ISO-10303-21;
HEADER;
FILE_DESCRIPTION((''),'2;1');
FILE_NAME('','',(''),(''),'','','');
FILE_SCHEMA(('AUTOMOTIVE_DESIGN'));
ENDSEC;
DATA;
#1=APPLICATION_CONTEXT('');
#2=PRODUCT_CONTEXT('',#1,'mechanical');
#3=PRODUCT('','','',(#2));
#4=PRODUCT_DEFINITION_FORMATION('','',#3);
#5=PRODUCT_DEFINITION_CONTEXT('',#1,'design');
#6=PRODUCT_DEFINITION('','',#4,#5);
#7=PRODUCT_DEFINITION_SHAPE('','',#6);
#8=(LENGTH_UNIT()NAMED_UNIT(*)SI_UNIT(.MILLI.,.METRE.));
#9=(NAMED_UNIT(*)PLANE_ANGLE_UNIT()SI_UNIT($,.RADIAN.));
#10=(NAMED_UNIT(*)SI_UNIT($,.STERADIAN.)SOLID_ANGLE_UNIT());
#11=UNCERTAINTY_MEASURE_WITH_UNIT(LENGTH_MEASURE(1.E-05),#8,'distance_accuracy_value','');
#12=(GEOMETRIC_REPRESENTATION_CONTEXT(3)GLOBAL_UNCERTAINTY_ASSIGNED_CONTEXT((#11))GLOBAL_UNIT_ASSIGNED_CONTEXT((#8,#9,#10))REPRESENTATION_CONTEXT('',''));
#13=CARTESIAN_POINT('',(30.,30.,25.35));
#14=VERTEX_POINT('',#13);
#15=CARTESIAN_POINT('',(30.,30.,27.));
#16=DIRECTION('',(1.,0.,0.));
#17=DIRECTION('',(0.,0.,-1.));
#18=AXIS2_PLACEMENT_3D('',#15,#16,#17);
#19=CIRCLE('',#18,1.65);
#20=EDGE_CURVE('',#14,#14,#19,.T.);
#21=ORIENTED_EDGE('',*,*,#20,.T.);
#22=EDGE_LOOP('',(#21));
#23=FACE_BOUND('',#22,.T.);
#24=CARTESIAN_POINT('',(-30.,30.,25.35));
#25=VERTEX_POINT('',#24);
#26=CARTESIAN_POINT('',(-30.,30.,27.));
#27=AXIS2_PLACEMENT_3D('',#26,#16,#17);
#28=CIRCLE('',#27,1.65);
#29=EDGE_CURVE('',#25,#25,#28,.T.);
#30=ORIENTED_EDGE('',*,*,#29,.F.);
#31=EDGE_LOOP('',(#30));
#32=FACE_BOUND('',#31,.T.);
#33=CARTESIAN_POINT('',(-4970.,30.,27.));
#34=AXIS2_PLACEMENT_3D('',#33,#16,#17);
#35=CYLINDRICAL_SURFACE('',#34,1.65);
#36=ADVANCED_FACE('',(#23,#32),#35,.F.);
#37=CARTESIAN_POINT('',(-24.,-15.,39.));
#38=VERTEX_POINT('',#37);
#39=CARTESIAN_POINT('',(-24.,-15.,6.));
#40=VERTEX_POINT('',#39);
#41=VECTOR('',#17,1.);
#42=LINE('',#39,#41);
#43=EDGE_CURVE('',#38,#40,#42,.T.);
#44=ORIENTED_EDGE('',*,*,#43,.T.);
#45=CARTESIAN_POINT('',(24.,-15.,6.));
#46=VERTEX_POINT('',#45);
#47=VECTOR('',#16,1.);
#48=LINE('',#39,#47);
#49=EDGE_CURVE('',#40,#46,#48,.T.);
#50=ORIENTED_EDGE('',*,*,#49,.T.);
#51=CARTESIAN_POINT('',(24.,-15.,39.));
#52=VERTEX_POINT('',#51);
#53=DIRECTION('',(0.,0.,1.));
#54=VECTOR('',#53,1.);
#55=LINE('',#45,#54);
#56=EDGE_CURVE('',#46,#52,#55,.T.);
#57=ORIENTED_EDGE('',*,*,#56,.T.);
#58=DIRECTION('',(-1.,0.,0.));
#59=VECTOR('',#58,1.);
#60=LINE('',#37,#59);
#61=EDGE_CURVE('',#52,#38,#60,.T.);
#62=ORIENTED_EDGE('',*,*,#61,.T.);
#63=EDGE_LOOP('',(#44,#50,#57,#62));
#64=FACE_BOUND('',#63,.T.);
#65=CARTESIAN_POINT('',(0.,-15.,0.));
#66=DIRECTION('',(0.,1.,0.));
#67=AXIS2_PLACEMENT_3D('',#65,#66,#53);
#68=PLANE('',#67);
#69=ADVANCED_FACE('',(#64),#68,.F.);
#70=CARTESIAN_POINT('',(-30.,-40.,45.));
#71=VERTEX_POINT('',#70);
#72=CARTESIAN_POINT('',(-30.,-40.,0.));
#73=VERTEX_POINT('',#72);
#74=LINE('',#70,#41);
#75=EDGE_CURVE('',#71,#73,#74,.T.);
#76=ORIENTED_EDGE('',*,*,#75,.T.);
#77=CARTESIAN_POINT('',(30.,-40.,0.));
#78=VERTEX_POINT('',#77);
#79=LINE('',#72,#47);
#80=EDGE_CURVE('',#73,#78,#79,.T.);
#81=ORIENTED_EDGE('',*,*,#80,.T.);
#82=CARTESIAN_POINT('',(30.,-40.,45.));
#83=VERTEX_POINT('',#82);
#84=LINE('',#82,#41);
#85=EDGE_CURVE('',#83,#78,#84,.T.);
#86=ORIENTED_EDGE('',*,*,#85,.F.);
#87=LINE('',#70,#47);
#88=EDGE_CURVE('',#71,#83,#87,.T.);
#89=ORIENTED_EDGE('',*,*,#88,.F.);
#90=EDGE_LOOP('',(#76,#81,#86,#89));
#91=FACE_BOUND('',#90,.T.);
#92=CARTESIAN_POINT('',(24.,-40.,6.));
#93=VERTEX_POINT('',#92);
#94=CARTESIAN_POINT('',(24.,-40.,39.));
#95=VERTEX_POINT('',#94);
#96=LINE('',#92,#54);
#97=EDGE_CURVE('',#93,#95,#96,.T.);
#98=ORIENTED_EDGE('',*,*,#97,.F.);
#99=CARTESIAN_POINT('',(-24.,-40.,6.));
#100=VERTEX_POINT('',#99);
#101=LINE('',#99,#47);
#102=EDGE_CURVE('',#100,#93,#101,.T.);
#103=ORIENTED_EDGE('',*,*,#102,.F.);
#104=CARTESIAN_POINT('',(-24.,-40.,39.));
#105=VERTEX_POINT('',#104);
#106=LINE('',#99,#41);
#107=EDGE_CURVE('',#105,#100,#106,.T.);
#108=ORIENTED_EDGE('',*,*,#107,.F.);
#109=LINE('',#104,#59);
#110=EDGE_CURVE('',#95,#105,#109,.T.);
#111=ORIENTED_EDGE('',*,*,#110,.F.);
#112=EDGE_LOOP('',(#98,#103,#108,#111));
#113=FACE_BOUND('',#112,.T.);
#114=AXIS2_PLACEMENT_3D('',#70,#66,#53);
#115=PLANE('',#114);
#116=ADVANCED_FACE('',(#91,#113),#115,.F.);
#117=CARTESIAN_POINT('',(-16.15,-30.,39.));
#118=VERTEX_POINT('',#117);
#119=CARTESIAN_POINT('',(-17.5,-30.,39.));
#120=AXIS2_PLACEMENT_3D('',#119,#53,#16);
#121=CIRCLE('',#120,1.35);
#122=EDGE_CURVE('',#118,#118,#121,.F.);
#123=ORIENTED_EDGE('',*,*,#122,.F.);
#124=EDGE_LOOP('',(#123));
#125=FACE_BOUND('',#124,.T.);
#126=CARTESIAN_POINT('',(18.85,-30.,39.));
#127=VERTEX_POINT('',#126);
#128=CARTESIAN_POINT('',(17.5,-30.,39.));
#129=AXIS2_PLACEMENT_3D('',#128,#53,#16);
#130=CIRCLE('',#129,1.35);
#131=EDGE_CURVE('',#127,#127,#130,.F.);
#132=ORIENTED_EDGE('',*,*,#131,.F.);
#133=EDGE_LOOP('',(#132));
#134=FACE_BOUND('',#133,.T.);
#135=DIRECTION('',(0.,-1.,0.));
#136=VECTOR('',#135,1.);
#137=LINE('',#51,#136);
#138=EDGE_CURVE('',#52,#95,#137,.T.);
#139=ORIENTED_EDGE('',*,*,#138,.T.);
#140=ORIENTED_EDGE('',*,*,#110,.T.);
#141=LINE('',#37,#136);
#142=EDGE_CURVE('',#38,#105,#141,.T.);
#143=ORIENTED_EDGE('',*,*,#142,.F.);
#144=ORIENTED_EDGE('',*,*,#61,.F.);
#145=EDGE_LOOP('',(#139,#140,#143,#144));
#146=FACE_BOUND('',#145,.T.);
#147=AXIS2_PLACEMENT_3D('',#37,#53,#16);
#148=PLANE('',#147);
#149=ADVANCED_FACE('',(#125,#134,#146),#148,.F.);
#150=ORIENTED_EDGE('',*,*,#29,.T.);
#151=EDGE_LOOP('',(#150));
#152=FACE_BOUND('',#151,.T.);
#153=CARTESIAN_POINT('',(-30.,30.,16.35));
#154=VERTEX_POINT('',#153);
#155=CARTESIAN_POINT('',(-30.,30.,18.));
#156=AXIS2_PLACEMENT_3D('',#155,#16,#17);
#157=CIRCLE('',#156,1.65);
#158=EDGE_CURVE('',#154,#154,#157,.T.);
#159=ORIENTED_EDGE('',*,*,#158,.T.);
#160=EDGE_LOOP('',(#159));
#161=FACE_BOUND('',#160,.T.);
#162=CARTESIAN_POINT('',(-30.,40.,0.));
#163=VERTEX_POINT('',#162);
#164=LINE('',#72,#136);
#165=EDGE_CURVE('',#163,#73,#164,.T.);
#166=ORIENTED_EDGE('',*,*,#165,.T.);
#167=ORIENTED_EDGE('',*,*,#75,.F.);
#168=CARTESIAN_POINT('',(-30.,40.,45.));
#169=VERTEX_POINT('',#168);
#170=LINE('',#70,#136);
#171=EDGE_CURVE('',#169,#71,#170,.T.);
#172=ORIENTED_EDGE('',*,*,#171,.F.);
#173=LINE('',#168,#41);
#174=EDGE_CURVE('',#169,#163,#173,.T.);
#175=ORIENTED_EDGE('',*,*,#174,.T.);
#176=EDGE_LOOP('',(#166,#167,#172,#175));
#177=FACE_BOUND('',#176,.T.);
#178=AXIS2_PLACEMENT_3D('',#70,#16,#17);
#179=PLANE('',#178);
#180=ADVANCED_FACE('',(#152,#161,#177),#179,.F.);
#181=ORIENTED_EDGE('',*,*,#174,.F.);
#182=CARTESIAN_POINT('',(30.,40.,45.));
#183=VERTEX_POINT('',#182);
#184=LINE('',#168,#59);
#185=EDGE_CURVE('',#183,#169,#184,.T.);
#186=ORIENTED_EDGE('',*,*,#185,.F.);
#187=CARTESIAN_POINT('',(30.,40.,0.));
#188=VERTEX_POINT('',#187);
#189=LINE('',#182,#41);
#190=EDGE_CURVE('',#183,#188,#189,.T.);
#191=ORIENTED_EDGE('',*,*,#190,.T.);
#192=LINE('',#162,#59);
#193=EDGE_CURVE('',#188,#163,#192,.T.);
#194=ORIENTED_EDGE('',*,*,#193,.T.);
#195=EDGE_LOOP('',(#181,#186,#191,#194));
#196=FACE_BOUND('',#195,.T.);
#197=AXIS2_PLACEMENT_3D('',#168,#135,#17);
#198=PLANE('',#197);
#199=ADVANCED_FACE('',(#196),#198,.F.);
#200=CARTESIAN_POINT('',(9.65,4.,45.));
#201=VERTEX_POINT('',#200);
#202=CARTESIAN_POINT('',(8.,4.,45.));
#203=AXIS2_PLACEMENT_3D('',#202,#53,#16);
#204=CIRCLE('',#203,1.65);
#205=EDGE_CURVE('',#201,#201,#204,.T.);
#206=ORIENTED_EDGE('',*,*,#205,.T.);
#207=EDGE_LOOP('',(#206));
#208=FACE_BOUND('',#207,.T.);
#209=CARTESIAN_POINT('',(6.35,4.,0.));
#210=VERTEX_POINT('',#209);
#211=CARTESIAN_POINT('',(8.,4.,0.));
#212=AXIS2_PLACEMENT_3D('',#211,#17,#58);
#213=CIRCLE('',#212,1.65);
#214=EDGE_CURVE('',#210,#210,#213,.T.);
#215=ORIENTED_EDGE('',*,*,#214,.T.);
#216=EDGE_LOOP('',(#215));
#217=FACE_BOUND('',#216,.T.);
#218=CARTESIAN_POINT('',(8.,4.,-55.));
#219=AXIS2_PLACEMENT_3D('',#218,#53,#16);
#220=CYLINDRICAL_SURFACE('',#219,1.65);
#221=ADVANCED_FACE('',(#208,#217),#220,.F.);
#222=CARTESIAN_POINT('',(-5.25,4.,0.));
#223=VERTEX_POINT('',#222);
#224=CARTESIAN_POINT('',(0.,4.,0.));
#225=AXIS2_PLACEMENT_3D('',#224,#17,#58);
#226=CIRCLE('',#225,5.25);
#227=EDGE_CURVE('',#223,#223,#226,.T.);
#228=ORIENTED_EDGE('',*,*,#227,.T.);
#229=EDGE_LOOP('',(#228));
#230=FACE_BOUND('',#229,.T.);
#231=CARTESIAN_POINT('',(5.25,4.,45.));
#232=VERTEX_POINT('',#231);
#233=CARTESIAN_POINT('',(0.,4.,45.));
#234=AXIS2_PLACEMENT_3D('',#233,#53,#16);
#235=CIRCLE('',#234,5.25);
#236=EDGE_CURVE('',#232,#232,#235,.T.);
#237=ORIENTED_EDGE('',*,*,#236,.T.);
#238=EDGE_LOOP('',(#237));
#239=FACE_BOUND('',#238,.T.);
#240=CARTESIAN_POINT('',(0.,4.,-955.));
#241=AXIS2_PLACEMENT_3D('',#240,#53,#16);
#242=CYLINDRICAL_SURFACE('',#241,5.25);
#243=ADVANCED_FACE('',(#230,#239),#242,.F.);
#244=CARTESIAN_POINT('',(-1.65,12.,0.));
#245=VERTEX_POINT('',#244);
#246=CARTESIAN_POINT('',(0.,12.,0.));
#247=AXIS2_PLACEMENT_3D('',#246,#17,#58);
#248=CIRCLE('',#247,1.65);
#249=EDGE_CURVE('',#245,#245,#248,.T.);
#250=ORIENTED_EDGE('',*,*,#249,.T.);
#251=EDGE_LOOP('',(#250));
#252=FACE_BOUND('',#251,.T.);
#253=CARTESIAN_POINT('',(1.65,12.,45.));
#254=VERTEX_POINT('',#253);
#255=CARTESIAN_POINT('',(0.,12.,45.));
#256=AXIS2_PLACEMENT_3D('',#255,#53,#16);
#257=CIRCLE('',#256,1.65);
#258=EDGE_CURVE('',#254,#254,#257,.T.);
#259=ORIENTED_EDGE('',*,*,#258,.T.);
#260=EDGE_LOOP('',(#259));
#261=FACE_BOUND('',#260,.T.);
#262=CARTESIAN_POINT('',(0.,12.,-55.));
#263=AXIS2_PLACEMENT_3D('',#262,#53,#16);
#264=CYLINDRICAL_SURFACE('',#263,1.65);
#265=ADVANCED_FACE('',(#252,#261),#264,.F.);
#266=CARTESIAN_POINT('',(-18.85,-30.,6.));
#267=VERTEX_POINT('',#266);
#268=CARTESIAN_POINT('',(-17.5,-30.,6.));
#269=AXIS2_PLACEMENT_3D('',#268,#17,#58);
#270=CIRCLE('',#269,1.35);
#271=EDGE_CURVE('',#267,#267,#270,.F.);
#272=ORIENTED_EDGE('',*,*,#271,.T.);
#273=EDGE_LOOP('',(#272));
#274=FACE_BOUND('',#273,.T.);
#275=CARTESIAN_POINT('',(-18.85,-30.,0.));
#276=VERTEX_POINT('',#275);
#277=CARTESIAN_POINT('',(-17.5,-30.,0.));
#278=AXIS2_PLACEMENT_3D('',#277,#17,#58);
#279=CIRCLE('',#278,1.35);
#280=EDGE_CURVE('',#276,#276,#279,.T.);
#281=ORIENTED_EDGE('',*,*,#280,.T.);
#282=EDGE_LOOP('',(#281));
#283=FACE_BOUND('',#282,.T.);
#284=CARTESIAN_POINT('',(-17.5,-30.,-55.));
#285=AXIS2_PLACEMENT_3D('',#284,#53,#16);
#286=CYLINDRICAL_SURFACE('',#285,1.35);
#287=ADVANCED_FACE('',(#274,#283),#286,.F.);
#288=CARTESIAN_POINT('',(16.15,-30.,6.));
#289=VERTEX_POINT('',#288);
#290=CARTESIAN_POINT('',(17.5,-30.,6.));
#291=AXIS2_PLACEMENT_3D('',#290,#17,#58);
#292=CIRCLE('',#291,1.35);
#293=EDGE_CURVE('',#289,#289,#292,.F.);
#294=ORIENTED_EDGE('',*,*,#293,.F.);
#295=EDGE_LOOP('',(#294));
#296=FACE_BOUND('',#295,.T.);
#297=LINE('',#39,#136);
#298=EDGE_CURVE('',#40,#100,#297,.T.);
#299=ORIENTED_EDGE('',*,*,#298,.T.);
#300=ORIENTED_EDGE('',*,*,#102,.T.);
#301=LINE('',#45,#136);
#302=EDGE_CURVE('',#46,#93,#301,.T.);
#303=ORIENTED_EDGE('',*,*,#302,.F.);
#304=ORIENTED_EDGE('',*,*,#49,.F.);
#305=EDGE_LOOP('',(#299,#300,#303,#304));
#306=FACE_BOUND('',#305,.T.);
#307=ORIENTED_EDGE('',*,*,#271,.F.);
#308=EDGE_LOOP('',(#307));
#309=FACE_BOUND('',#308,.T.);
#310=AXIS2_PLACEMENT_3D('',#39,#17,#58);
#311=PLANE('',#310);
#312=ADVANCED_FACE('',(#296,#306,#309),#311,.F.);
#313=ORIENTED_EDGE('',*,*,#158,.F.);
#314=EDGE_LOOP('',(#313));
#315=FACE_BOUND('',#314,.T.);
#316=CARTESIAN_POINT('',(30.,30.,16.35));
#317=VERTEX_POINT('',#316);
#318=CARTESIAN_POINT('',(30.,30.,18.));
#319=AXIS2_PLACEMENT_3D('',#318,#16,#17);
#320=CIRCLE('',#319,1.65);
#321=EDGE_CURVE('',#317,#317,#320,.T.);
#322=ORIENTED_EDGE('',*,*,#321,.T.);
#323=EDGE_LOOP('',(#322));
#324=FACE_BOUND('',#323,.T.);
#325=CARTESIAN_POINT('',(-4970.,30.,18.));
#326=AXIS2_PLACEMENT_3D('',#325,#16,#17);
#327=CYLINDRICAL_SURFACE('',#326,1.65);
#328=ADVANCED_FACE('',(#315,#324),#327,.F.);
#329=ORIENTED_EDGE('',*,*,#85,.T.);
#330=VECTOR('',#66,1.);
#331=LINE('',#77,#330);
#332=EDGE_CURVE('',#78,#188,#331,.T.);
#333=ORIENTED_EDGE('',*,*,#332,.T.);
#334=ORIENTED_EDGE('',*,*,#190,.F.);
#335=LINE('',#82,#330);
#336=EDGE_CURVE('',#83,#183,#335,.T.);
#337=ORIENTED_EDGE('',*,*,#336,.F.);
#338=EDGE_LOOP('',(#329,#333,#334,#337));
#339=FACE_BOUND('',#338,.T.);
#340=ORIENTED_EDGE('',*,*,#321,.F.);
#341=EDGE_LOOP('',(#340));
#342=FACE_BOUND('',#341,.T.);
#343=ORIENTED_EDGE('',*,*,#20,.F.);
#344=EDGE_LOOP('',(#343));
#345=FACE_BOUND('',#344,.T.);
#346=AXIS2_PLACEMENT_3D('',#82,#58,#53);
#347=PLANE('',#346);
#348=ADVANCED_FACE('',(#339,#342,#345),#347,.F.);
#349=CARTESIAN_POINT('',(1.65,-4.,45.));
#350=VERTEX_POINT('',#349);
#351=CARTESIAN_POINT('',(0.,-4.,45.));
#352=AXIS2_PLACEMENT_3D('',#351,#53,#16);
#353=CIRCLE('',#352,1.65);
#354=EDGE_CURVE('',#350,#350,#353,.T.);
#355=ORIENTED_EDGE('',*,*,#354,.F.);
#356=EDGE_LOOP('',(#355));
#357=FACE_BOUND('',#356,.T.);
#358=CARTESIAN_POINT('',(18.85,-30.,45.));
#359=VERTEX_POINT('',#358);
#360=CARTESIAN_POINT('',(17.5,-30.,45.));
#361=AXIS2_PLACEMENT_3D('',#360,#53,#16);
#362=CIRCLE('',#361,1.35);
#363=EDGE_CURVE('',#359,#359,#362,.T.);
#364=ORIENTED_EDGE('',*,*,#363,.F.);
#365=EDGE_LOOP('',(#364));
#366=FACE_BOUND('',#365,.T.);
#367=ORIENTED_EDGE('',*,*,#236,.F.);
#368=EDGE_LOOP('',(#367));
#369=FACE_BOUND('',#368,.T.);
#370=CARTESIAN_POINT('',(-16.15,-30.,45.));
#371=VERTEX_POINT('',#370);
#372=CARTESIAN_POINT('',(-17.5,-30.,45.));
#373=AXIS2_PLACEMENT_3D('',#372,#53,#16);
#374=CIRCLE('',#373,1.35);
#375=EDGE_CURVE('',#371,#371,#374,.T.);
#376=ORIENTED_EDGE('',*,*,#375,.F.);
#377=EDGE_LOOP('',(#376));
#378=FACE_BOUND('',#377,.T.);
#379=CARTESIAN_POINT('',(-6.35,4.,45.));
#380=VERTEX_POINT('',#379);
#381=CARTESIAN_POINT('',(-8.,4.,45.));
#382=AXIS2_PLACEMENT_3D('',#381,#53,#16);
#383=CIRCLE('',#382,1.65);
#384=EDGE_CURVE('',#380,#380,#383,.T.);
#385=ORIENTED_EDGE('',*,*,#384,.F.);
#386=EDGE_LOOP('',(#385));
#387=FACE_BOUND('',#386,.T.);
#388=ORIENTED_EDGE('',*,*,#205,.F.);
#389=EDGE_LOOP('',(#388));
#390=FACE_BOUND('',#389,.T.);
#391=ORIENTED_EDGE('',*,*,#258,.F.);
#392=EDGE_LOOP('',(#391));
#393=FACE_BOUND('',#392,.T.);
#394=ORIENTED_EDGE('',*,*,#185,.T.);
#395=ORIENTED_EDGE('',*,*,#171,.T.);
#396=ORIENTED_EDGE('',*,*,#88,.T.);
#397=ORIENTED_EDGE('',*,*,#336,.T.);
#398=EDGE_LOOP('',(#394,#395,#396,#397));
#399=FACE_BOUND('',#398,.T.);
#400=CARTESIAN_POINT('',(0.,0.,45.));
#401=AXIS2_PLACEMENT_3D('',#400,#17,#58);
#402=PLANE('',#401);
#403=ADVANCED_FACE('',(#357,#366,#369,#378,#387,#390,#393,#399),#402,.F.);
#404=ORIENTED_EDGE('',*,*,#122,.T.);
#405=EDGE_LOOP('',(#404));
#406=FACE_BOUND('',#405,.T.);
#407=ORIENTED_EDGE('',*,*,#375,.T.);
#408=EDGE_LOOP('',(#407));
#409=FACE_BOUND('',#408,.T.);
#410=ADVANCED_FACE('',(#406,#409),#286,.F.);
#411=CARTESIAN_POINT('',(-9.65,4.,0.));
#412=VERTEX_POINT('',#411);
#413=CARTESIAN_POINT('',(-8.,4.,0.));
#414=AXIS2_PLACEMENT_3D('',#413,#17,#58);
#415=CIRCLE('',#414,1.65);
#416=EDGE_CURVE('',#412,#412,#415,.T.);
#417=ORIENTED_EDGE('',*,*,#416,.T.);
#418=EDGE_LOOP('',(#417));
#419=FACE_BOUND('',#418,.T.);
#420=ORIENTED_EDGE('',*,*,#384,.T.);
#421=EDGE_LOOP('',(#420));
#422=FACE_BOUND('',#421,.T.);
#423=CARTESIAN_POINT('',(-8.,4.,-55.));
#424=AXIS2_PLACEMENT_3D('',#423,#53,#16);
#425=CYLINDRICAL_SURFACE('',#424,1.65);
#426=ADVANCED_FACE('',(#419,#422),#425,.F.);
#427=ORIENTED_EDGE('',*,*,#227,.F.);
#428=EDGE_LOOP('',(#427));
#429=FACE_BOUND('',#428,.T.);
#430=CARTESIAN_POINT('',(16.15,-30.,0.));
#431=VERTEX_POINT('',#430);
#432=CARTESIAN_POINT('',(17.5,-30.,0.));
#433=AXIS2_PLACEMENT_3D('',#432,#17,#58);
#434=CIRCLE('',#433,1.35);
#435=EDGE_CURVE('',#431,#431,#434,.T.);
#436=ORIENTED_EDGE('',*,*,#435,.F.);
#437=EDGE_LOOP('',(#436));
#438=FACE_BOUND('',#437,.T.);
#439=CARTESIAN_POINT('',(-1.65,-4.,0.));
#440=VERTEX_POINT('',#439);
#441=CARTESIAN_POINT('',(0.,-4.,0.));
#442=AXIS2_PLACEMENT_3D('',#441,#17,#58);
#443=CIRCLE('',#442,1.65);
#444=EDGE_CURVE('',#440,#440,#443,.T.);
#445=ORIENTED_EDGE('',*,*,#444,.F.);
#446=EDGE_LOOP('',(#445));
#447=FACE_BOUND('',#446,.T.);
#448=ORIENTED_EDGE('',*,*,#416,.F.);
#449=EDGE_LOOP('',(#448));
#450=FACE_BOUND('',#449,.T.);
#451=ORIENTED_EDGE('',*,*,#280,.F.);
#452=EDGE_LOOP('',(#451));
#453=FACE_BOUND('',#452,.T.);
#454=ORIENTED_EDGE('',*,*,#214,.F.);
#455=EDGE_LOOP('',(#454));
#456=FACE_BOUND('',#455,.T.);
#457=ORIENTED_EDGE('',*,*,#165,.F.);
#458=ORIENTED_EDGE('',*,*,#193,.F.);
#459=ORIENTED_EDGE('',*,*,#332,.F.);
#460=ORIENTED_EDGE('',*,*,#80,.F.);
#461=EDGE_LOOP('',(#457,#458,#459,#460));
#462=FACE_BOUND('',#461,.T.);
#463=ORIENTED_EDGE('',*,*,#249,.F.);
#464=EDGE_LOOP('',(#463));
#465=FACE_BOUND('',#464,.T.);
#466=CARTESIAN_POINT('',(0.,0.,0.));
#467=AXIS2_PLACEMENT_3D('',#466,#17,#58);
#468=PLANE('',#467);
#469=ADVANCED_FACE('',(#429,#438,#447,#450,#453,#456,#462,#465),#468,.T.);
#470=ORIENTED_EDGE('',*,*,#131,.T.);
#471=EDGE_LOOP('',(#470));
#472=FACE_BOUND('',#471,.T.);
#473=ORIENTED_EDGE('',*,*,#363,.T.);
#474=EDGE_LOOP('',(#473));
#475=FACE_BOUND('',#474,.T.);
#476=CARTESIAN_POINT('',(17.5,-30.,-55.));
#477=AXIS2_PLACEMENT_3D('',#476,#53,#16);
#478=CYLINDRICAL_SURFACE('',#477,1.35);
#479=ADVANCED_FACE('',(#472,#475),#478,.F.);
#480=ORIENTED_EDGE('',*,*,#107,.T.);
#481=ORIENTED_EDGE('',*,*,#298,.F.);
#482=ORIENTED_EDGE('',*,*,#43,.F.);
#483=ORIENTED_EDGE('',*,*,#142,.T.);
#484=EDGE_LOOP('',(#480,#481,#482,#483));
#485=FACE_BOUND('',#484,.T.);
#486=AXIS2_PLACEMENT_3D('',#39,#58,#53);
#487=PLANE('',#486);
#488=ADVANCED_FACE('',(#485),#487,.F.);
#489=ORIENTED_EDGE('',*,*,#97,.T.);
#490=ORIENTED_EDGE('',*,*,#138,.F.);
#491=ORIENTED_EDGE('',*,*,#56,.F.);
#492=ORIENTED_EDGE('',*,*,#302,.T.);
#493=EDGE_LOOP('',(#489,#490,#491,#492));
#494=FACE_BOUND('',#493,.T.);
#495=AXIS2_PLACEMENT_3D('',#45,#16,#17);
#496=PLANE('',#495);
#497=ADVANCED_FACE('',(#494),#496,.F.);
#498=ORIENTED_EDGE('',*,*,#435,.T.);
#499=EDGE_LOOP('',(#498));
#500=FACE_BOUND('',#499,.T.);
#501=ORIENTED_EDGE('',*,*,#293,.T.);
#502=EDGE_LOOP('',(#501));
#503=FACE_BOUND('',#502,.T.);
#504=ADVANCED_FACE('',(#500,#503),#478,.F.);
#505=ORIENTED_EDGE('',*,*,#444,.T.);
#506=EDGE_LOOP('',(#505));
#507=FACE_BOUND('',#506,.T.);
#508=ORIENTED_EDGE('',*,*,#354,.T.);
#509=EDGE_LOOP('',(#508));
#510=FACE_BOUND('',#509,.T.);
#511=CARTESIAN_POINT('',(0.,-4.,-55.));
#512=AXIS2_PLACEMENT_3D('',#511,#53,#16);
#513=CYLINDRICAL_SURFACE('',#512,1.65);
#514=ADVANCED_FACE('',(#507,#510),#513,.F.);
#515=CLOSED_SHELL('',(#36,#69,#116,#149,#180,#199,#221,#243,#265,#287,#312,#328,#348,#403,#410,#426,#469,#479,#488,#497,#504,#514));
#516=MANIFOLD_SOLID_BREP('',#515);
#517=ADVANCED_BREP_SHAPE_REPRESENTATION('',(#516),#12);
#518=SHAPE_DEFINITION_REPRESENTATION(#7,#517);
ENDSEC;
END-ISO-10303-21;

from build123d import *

# Parameters (mm, degrees)
SKETCH_1_W          = 60
SKETCH_1_H          = 80
EXTRUDE_1_DEPTH     = 45
SKETCH_2_R          = 1.35
CUT_EXTRUDE_1_DEPTH = 100
SKETCH_3_R          = 1.65
CUT_EXTRUDE_2_DEPTH = 100
SKETCH_4_R          = 5.25
CUT_EXTRUDE_3_DEPTH = 1000
SKETCH_5_W          = 48
SKETCH_5_H          = 33
CUT_EXTRUDE_4_DEPTH = 25
SKETCH_6_R          = 1.65
CUT_EXTRUDE_5_DEPTH = 5000


with BuildPart() as part:
    # 草图1 → 凸台-拉伸1 (new body)
    with BuildSketch(Plane.XY):
        Rectangle(SKETCH_1_W, SKETCH_1_H)
    extrude(amount=EXTRUDE_1_DEPTH)

    # 草图2 → 切除-拉伸1 (cut)
    with BuildSketch(Plane.XY.offset(45)):
        with Locations((17.5, -30)):
            Circle(SKETCH_2_R)
        with Locations((-17.5, -30)):
            Circle(SKETCH_2_R)
    extrude(amount=-CUT_EXTRUDE_1_DEPTH, mode=Mode.SUBTRACT)

    # 草图3 → 切除-拉伸2 (cut)
    with BuildSketch(Plane.XY.offset(45)):
        with Locations((8, 4)):
            Circle(SKETCH_3_R)
        with Locations((0, 12)):
            Circle(SKETCH_3_R)
        with Locations((-8, 4)):
            Circle(SKETCH_3_R)
        with Locations((0, -4)):
            Circle(SKETCH_3_R)
    extrude(amount=-CUT_EXTRUDE_2_DEPTH, mode=Mode.SUBTRACT)

    # 草图4 → 切除-拉伸3 (cut)
    with BuildSketch(Plane.XY.offset(45)):
        with Locations((0, 4)):
            Circle(SKETCH_4_R)
    extrude(amount=-CUT_EXTRUDE_3_DEPTH, mode=Mode.SUBTRACT)

    # 草图5 → 切除-拉伸4 (cut)
    with BuildSketch(Plane.XZ.offset(40)):
        with Locations((0, 22.5)):
            Rectangle(SKETCH_5_W, SKETCH_5_H)
    extrude(amount=-CUT_EXTRUDE_4_DEPTH, mode=Mode.SUBTRACT)

    # 草图6 → 切除-拉伸5 (cut)
    with BuildSketch(Plane(origin=(30, 0, 0), x_dir=(0, 0, -1), z_dir=(1, 0, 0))):
        with Locations((-18, 30)):
            Circle(SKETCH_6_R)
        with Locations((-27, 30)):
            Circle(SKETCH_6_R)
    extrude(amount=-CUT_EXTRUDE_5_DEPTH, mode=Mode.SUBTRACT)


solid = part.part
